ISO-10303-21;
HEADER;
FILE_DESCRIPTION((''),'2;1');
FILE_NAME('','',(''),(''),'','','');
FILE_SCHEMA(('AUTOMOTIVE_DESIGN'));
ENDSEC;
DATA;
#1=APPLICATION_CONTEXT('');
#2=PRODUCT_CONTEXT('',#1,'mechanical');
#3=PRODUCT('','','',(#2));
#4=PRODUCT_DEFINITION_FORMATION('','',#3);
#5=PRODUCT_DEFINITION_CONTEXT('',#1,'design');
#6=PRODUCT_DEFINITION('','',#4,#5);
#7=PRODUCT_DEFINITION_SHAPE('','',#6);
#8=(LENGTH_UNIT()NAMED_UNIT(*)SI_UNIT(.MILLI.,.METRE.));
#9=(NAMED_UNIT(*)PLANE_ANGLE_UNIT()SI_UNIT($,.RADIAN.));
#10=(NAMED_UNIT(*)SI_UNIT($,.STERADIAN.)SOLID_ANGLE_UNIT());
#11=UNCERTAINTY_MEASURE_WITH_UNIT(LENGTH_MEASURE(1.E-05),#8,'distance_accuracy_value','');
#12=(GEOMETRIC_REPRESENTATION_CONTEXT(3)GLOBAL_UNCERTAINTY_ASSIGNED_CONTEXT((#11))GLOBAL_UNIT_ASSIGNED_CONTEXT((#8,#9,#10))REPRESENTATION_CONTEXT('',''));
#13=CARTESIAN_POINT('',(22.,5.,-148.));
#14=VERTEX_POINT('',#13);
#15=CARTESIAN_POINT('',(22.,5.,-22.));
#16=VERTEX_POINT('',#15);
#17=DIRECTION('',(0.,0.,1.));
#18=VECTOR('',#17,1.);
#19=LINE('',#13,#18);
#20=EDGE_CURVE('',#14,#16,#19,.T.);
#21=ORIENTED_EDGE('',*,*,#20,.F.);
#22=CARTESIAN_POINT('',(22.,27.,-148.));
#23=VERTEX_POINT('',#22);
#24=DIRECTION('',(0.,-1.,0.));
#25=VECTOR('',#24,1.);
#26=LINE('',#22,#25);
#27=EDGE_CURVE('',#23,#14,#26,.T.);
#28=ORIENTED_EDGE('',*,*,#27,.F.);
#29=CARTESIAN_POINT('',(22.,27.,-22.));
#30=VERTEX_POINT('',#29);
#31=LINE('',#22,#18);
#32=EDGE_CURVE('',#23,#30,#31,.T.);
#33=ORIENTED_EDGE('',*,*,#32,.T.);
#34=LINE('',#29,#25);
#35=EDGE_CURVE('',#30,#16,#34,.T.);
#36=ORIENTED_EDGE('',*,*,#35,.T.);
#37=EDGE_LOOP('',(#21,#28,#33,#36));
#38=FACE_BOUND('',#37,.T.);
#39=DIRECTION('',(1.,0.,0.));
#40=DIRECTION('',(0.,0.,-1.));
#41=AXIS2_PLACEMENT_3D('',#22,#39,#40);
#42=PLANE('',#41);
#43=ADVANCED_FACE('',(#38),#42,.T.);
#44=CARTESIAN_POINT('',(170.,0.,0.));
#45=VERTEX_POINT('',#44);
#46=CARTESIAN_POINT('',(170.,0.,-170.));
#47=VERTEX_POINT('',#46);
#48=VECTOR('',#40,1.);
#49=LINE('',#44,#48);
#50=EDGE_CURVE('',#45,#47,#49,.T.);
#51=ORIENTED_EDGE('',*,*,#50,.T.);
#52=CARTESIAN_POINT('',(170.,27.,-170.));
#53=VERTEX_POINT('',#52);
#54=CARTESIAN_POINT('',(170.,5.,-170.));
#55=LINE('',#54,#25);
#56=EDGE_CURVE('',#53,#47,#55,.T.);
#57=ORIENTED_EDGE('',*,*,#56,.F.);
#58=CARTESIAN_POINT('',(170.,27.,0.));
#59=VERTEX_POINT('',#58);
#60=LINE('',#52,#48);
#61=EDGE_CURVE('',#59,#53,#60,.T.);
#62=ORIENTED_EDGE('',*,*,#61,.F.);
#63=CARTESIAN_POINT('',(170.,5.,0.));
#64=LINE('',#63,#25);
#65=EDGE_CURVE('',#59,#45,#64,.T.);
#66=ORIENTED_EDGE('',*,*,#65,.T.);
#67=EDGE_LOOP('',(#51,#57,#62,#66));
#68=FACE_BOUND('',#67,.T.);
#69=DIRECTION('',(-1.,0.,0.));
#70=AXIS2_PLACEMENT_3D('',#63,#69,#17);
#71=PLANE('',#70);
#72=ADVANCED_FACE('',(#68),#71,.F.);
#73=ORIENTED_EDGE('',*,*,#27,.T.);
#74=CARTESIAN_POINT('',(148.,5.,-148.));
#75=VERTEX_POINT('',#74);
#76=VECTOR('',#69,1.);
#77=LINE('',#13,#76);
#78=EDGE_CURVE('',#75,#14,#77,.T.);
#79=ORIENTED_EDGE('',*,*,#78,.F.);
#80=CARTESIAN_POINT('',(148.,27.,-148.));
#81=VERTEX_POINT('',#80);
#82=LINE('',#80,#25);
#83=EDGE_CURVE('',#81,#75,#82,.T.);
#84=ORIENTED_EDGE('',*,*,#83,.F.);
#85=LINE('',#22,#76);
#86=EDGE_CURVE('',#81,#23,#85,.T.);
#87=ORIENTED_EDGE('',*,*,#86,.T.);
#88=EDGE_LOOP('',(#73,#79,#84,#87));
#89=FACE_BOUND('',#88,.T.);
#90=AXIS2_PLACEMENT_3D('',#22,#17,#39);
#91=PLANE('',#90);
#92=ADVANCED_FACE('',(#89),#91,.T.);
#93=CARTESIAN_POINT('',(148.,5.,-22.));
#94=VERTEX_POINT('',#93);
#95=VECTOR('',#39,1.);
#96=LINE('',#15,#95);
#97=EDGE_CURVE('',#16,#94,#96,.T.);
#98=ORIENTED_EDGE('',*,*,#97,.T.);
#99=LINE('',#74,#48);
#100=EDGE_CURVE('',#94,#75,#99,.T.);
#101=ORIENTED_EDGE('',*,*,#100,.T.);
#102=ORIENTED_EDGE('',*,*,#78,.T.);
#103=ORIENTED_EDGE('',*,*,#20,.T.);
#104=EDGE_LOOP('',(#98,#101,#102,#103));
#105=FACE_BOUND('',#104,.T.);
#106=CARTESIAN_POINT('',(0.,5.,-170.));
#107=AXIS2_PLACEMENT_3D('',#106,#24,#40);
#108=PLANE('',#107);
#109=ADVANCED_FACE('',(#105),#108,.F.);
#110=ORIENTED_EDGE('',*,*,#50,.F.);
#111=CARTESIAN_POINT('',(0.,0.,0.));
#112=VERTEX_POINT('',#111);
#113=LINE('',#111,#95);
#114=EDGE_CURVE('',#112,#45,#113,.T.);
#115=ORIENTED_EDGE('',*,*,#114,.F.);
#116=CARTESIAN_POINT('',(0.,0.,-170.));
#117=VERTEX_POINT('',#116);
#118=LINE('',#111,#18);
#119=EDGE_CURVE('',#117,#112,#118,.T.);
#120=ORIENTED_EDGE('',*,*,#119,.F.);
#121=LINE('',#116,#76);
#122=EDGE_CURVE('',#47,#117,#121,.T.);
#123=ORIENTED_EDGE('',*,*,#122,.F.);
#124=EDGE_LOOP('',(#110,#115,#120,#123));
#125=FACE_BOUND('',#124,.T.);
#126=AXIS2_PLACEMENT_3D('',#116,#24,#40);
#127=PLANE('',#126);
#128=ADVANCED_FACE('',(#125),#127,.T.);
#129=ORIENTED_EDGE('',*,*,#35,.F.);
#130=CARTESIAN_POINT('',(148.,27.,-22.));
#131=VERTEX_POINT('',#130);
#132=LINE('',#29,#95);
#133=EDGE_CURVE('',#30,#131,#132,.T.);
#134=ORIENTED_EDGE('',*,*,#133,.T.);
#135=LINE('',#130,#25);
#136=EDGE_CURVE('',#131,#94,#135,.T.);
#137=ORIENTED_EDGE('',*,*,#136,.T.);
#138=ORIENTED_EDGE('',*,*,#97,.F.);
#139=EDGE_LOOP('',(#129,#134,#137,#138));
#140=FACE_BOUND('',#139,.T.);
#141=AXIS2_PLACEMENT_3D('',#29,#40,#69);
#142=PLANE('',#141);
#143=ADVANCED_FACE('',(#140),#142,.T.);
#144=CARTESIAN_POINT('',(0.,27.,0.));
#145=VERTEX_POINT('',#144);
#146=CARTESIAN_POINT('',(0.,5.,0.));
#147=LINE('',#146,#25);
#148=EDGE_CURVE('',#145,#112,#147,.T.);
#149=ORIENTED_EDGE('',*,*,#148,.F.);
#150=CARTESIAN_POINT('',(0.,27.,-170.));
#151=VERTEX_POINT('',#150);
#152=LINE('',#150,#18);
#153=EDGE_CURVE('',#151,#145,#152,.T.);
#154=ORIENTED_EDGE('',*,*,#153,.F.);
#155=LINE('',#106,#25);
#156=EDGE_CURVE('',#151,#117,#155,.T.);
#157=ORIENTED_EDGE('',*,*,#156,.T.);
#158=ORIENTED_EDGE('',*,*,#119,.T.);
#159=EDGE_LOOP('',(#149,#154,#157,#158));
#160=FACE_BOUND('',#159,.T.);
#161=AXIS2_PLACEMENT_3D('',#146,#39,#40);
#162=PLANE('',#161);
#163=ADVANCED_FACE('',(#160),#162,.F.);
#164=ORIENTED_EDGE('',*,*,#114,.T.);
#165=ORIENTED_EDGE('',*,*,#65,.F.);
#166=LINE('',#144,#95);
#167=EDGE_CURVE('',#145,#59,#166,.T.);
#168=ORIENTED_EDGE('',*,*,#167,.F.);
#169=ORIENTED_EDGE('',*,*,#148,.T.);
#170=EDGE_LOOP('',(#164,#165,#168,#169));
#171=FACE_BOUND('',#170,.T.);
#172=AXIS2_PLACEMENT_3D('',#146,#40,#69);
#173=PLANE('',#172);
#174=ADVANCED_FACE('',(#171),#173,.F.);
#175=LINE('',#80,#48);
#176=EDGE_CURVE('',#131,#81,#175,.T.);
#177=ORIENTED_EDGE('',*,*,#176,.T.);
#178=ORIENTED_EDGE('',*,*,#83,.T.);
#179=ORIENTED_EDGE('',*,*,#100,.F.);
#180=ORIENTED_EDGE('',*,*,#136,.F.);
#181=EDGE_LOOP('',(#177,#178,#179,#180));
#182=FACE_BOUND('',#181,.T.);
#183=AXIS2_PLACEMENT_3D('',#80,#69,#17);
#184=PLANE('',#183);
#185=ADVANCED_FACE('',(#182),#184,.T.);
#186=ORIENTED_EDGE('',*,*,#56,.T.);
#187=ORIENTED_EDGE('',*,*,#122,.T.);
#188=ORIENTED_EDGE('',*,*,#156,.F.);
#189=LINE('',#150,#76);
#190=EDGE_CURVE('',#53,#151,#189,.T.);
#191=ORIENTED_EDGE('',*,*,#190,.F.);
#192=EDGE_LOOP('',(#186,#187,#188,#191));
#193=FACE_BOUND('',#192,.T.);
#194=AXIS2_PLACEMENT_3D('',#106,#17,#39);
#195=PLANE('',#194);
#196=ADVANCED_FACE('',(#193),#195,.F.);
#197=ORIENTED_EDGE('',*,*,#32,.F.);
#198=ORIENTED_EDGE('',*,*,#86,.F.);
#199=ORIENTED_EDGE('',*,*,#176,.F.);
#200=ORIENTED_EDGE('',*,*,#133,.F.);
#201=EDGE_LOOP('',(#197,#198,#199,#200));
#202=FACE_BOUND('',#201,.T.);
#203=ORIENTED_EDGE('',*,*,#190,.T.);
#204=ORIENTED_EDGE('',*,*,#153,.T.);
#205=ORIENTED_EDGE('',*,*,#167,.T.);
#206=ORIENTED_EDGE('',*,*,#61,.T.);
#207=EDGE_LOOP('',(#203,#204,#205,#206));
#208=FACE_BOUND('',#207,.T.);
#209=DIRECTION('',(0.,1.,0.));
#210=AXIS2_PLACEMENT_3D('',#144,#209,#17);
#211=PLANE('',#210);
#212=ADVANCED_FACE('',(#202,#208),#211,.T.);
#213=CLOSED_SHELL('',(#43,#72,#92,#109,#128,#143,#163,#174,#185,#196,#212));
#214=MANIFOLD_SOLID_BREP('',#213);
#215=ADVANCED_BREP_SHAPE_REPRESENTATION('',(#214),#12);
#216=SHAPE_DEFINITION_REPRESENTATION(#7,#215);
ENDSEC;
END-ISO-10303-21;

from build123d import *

# Parameters (mm, degrees)
ESQUISSE1_W      = 170
ESQUISSE1_H      = 170
EXTRUSION1_DEPTH = 5
ESQUISSE2_W      = 170
ESQUISSE2_H      = 170
ESQUISSE2_W_2    = 126
ESQUISSE2_H_2    = 126
EXTRUSION2_DEPTH = 22


with BuildPart() as part:
    # Esquisse1 → Extrusion1 (new body)
    with BuildSketch(Plane(origin=(0, 0, 0), x_dir=(1, 0, 0), z_dir=(0, 1, 0))):
        with Locations((85, 85)):
            Rectangle(ESQUISSE1_W, ESQUISSE1_H)
    extrude(amount=EXTRUSION1_DEPTH)

    # Esquisse2 → Extrusion2 (add)
    with BuildSketch(Plane(origin=(0, 5, 0), x_dir=(-1, 0, 0), z_dir=(0, 1, 0))):
        with Locations((-85, -85)):
            Rectangle(ESQUISSE2_W, ESQUISSE2_H)
        with Locations((-85, -85)):
            Rectangle(ESQUISSE2_W_2, ESQUISSE2_H_2, mode=Mode.SUBTRACT)
    extrude(amount=EXTRUSION2_DEPTH)


solid = part.part
